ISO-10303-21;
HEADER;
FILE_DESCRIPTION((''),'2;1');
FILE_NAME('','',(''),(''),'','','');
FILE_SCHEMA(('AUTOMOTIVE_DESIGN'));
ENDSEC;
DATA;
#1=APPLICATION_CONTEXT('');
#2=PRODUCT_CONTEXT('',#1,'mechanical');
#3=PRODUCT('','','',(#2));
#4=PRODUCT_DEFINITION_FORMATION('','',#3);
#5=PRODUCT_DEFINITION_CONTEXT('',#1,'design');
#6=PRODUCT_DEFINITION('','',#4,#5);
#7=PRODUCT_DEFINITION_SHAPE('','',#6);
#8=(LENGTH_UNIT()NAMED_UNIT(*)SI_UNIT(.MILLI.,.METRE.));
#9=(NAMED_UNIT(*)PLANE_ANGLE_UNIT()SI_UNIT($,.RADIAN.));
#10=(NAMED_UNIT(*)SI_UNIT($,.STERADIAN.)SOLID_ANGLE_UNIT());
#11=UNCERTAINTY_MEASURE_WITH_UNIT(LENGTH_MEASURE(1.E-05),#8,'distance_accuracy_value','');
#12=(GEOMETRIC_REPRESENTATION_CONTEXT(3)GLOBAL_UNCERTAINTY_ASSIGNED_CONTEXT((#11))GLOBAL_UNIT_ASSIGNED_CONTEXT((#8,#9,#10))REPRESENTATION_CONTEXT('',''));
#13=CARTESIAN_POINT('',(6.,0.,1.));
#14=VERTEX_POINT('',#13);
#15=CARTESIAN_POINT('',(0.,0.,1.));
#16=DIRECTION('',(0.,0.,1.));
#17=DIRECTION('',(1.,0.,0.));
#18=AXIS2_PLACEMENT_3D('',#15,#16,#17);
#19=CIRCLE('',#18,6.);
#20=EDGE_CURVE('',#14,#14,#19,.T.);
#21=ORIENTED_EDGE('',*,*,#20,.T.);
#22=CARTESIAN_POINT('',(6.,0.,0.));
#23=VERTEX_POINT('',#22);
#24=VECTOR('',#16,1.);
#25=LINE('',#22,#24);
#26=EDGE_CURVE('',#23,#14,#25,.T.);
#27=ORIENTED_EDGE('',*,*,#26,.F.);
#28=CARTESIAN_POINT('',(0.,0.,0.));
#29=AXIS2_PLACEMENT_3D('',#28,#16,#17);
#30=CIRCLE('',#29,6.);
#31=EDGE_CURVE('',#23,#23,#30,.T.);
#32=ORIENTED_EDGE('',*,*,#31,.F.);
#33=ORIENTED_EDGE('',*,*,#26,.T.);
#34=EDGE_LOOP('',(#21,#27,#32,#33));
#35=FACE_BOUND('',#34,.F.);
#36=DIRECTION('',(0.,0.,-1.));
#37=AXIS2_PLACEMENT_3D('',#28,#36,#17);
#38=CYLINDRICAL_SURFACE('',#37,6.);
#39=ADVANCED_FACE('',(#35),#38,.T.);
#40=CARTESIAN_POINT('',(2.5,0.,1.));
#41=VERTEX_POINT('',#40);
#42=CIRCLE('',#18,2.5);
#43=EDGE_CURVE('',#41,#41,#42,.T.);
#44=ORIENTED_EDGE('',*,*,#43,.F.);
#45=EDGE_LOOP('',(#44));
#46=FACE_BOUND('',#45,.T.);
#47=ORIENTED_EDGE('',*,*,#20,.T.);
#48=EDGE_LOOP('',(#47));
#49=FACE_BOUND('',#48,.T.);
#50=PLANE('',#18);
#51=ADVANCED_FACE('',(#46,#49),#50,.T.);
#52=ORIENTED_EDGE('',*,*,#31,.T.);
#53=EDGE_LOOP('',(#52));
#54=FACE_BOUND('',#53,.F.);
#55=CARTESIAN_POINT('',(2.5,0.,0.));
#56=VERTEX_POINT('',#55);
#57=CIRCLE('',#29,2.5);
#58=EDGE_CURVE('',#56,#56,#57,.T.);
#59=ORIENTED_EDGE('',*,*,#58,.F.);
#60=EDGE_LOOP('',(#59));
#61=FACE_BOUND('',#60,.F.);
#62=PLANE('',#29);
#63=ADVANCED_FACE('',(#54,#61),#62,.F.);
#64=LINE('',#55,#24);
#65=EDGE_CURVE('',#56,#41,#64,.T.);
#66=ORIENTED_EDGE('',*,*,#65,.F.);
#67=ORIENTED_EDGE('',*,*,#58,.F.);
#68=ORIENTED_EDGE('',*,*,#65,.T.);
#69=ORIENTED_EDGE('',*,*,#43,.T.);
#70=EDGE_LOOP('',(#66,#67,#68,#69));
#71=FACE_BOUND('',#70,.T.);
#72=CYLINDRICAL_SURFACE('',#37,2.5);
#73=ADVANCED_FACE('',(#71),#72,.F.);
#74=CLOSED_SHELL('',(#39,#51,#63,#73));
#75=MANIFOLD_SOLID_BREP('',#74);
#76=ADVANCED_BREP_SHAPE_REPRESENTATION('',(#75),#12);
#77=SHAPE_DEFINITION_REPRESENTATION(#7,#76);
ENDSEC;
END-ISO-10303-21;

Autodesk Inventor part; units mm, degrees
ref_plane "YZ Plane" through (0, 0, 0) normal (1, 0, 0) x (0, 1, 0)
ref_plane "XZ Plane" through (0, 0, 0) normal (0, 1, 0) x (-1, 0, 0)
ref_plane "XY Plane" through (0, 0, 0) normal (0, 0, 1) x (1, 0, 0)
sketch "スケッチ1" plane through (0, 0, 0) normal (0, 0, 1) x (1, 0, 0)
  circle A0 centre (0, 0) radius 2.5
  circle A1 centre (0, 0) radius 6
  dimension "d0" = 5
  dimension "d1" = 12
extrude "押し出し1" add sketch "スケッチ1" along normal blind 1
properties part number "ギアスペーサ1" material "アセタール樹脂、白"
